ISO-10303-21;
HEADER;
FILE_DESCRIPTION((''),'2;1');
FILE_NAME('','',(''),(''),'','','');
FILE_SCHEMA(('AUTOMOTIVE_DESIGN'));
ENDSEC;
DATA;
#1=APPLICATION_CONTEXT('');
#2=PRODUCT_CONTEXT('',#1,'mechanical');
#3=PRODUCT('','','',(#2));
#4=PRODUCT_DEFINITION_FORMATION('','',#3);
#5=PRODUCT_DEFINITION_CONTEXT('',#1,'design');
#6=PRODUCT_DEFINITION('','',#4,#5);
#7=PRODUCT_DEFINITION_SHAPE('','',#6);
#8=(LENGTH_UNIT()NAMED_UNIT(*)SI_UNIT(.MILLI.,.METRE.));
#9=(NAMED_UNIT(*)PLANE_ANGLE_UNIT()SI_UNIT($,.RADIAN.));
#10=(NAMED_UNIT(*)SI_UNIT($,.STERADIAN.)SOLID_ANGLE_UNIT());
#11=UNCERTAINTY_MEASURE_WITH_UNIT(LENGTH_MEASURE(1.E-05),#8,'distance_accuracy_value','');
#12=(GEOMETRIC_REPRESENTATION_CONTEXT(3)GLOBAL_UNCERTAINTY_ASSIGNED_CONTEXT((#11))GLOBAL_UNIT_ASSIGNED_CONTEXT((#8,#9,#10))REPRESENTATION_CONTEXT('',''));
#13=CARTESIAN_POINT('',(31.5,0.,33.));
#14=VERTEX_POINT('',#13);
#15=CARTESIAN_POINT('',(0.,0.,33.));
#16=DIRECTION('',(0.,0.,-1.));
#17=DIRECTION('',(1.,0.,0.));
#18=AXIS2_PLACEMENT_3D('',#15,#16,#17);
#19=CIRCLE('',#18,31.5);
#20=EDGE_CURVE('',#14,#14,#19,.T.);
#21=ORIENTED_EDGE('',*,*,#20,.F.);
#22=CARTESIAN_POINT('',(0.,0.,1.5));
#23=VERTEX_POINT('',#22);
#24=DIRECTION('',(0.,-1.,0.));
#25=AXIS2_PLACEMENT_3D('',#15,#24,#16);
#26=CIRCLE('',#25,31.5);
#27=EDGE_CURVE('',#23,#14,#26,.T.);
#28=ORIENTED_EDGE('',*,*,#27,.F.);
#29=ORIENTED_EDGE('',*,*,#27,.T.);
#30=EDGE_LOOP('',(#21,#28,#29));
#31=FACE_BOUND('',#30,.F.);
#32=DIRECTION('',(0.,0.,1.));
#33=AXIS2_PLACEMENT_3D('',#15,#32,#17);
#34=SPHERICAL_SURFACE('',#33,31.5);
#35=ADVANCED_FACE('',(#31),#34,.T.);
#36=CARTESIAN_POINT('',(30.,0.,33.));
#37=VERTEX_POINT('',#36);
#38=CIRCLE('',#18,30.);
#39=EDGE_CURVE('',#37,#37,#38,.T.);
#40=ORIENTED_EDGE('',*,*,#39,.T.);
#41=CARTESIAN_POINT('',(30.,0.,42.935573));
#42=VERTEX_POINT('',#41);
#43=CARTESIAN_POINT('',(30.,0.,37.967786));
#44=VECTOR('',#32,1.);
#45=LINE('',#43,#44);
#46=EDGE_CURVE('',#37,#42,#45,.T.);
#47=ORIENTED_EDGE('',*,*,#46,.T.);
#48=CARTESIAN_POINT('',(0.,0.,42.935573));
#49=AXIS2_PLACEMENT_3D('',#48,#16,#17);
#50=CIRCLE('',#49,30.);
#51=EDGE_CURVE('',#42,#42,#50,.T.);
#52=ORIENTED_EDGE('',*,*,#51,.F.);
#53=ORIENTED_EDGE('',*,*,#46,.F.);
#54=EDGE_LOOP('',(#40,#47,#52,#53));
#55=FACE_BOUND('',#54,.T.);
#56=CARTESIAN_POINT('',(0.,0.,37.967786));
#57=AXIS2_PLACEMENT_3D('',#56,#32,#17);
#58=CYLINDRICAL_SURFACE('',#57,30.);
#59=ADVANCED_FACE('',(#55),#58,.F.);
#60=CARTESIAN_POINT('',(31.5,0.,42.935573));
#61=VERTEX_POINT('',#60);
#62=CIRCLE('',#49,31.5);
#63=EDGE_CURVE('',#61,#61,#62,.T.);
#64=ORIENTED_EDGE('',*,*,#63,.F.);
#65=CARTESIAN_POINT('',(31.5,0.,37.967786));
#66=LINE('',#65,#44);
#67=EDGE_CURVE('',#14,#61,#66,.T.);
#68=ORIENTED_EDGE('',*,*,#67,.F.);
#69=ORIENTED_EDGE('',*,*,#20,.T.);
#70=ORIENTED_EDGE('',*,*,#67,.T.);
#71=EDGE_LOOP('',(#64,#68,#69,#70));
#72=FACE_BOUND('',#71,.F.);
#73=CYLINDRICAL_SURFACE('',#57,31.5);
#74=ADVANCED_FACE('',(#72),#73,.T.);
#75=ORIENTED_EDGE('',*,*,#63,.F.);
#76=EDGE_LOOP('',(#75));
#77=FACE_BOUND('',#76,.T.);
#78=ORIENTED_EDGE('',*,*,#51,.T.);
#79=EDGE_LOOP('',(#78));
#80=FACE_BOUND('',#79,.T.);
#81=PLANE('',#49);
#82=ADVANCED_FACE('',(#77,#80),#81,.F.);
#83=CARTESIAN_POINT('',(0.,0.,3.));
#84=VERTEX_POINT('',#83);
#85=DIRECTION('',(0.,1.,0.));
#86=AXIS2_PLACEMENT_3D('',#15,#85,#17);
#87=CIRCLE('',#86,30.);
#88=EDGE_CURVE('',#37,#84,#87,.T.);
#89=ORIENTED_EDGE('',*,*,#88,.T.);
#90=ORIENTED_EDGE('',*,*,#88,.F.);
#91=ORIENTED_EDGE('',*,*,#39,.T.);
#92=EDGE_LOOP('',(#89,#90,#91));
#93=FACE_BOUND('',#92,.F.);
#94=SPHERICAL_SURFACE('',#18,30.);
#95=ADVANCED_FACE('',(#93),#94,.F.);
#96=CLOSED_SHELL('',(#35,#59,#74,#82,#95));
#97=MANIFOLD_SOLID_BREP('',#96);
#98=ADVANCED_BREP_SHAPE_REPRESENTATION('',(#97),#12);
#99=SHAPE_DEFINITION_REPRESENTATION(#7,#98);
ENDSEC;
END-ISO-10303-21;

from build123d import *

# Parameters (mm, degrees)
F0_W = 1.5
F0_H = 9.9355725646


with BuildPart() as f1:
    # F0 (on Front) → F1 (revolve)
    with BuildSketch(Plane.XZ):
        with BuildLine():
            Line((0, 3), (0, 1.5))
            ThreePointArc((0, 1.5), (22.2738636074, 10.7261363926), (31.5, 33))
            Line((31.5, 33), (30, 33))
            ThreePointArc((30, 33), (21.2132034356, 11.7867965644), (0, 3))
        make_face()
        with Locations((30.75, 37.9677862823)):
            Rectangle(F0_W, F0_H)
    revolve(axis=Axis((0, 0, 54), (0, 0, -1)))


solid = f1.part
